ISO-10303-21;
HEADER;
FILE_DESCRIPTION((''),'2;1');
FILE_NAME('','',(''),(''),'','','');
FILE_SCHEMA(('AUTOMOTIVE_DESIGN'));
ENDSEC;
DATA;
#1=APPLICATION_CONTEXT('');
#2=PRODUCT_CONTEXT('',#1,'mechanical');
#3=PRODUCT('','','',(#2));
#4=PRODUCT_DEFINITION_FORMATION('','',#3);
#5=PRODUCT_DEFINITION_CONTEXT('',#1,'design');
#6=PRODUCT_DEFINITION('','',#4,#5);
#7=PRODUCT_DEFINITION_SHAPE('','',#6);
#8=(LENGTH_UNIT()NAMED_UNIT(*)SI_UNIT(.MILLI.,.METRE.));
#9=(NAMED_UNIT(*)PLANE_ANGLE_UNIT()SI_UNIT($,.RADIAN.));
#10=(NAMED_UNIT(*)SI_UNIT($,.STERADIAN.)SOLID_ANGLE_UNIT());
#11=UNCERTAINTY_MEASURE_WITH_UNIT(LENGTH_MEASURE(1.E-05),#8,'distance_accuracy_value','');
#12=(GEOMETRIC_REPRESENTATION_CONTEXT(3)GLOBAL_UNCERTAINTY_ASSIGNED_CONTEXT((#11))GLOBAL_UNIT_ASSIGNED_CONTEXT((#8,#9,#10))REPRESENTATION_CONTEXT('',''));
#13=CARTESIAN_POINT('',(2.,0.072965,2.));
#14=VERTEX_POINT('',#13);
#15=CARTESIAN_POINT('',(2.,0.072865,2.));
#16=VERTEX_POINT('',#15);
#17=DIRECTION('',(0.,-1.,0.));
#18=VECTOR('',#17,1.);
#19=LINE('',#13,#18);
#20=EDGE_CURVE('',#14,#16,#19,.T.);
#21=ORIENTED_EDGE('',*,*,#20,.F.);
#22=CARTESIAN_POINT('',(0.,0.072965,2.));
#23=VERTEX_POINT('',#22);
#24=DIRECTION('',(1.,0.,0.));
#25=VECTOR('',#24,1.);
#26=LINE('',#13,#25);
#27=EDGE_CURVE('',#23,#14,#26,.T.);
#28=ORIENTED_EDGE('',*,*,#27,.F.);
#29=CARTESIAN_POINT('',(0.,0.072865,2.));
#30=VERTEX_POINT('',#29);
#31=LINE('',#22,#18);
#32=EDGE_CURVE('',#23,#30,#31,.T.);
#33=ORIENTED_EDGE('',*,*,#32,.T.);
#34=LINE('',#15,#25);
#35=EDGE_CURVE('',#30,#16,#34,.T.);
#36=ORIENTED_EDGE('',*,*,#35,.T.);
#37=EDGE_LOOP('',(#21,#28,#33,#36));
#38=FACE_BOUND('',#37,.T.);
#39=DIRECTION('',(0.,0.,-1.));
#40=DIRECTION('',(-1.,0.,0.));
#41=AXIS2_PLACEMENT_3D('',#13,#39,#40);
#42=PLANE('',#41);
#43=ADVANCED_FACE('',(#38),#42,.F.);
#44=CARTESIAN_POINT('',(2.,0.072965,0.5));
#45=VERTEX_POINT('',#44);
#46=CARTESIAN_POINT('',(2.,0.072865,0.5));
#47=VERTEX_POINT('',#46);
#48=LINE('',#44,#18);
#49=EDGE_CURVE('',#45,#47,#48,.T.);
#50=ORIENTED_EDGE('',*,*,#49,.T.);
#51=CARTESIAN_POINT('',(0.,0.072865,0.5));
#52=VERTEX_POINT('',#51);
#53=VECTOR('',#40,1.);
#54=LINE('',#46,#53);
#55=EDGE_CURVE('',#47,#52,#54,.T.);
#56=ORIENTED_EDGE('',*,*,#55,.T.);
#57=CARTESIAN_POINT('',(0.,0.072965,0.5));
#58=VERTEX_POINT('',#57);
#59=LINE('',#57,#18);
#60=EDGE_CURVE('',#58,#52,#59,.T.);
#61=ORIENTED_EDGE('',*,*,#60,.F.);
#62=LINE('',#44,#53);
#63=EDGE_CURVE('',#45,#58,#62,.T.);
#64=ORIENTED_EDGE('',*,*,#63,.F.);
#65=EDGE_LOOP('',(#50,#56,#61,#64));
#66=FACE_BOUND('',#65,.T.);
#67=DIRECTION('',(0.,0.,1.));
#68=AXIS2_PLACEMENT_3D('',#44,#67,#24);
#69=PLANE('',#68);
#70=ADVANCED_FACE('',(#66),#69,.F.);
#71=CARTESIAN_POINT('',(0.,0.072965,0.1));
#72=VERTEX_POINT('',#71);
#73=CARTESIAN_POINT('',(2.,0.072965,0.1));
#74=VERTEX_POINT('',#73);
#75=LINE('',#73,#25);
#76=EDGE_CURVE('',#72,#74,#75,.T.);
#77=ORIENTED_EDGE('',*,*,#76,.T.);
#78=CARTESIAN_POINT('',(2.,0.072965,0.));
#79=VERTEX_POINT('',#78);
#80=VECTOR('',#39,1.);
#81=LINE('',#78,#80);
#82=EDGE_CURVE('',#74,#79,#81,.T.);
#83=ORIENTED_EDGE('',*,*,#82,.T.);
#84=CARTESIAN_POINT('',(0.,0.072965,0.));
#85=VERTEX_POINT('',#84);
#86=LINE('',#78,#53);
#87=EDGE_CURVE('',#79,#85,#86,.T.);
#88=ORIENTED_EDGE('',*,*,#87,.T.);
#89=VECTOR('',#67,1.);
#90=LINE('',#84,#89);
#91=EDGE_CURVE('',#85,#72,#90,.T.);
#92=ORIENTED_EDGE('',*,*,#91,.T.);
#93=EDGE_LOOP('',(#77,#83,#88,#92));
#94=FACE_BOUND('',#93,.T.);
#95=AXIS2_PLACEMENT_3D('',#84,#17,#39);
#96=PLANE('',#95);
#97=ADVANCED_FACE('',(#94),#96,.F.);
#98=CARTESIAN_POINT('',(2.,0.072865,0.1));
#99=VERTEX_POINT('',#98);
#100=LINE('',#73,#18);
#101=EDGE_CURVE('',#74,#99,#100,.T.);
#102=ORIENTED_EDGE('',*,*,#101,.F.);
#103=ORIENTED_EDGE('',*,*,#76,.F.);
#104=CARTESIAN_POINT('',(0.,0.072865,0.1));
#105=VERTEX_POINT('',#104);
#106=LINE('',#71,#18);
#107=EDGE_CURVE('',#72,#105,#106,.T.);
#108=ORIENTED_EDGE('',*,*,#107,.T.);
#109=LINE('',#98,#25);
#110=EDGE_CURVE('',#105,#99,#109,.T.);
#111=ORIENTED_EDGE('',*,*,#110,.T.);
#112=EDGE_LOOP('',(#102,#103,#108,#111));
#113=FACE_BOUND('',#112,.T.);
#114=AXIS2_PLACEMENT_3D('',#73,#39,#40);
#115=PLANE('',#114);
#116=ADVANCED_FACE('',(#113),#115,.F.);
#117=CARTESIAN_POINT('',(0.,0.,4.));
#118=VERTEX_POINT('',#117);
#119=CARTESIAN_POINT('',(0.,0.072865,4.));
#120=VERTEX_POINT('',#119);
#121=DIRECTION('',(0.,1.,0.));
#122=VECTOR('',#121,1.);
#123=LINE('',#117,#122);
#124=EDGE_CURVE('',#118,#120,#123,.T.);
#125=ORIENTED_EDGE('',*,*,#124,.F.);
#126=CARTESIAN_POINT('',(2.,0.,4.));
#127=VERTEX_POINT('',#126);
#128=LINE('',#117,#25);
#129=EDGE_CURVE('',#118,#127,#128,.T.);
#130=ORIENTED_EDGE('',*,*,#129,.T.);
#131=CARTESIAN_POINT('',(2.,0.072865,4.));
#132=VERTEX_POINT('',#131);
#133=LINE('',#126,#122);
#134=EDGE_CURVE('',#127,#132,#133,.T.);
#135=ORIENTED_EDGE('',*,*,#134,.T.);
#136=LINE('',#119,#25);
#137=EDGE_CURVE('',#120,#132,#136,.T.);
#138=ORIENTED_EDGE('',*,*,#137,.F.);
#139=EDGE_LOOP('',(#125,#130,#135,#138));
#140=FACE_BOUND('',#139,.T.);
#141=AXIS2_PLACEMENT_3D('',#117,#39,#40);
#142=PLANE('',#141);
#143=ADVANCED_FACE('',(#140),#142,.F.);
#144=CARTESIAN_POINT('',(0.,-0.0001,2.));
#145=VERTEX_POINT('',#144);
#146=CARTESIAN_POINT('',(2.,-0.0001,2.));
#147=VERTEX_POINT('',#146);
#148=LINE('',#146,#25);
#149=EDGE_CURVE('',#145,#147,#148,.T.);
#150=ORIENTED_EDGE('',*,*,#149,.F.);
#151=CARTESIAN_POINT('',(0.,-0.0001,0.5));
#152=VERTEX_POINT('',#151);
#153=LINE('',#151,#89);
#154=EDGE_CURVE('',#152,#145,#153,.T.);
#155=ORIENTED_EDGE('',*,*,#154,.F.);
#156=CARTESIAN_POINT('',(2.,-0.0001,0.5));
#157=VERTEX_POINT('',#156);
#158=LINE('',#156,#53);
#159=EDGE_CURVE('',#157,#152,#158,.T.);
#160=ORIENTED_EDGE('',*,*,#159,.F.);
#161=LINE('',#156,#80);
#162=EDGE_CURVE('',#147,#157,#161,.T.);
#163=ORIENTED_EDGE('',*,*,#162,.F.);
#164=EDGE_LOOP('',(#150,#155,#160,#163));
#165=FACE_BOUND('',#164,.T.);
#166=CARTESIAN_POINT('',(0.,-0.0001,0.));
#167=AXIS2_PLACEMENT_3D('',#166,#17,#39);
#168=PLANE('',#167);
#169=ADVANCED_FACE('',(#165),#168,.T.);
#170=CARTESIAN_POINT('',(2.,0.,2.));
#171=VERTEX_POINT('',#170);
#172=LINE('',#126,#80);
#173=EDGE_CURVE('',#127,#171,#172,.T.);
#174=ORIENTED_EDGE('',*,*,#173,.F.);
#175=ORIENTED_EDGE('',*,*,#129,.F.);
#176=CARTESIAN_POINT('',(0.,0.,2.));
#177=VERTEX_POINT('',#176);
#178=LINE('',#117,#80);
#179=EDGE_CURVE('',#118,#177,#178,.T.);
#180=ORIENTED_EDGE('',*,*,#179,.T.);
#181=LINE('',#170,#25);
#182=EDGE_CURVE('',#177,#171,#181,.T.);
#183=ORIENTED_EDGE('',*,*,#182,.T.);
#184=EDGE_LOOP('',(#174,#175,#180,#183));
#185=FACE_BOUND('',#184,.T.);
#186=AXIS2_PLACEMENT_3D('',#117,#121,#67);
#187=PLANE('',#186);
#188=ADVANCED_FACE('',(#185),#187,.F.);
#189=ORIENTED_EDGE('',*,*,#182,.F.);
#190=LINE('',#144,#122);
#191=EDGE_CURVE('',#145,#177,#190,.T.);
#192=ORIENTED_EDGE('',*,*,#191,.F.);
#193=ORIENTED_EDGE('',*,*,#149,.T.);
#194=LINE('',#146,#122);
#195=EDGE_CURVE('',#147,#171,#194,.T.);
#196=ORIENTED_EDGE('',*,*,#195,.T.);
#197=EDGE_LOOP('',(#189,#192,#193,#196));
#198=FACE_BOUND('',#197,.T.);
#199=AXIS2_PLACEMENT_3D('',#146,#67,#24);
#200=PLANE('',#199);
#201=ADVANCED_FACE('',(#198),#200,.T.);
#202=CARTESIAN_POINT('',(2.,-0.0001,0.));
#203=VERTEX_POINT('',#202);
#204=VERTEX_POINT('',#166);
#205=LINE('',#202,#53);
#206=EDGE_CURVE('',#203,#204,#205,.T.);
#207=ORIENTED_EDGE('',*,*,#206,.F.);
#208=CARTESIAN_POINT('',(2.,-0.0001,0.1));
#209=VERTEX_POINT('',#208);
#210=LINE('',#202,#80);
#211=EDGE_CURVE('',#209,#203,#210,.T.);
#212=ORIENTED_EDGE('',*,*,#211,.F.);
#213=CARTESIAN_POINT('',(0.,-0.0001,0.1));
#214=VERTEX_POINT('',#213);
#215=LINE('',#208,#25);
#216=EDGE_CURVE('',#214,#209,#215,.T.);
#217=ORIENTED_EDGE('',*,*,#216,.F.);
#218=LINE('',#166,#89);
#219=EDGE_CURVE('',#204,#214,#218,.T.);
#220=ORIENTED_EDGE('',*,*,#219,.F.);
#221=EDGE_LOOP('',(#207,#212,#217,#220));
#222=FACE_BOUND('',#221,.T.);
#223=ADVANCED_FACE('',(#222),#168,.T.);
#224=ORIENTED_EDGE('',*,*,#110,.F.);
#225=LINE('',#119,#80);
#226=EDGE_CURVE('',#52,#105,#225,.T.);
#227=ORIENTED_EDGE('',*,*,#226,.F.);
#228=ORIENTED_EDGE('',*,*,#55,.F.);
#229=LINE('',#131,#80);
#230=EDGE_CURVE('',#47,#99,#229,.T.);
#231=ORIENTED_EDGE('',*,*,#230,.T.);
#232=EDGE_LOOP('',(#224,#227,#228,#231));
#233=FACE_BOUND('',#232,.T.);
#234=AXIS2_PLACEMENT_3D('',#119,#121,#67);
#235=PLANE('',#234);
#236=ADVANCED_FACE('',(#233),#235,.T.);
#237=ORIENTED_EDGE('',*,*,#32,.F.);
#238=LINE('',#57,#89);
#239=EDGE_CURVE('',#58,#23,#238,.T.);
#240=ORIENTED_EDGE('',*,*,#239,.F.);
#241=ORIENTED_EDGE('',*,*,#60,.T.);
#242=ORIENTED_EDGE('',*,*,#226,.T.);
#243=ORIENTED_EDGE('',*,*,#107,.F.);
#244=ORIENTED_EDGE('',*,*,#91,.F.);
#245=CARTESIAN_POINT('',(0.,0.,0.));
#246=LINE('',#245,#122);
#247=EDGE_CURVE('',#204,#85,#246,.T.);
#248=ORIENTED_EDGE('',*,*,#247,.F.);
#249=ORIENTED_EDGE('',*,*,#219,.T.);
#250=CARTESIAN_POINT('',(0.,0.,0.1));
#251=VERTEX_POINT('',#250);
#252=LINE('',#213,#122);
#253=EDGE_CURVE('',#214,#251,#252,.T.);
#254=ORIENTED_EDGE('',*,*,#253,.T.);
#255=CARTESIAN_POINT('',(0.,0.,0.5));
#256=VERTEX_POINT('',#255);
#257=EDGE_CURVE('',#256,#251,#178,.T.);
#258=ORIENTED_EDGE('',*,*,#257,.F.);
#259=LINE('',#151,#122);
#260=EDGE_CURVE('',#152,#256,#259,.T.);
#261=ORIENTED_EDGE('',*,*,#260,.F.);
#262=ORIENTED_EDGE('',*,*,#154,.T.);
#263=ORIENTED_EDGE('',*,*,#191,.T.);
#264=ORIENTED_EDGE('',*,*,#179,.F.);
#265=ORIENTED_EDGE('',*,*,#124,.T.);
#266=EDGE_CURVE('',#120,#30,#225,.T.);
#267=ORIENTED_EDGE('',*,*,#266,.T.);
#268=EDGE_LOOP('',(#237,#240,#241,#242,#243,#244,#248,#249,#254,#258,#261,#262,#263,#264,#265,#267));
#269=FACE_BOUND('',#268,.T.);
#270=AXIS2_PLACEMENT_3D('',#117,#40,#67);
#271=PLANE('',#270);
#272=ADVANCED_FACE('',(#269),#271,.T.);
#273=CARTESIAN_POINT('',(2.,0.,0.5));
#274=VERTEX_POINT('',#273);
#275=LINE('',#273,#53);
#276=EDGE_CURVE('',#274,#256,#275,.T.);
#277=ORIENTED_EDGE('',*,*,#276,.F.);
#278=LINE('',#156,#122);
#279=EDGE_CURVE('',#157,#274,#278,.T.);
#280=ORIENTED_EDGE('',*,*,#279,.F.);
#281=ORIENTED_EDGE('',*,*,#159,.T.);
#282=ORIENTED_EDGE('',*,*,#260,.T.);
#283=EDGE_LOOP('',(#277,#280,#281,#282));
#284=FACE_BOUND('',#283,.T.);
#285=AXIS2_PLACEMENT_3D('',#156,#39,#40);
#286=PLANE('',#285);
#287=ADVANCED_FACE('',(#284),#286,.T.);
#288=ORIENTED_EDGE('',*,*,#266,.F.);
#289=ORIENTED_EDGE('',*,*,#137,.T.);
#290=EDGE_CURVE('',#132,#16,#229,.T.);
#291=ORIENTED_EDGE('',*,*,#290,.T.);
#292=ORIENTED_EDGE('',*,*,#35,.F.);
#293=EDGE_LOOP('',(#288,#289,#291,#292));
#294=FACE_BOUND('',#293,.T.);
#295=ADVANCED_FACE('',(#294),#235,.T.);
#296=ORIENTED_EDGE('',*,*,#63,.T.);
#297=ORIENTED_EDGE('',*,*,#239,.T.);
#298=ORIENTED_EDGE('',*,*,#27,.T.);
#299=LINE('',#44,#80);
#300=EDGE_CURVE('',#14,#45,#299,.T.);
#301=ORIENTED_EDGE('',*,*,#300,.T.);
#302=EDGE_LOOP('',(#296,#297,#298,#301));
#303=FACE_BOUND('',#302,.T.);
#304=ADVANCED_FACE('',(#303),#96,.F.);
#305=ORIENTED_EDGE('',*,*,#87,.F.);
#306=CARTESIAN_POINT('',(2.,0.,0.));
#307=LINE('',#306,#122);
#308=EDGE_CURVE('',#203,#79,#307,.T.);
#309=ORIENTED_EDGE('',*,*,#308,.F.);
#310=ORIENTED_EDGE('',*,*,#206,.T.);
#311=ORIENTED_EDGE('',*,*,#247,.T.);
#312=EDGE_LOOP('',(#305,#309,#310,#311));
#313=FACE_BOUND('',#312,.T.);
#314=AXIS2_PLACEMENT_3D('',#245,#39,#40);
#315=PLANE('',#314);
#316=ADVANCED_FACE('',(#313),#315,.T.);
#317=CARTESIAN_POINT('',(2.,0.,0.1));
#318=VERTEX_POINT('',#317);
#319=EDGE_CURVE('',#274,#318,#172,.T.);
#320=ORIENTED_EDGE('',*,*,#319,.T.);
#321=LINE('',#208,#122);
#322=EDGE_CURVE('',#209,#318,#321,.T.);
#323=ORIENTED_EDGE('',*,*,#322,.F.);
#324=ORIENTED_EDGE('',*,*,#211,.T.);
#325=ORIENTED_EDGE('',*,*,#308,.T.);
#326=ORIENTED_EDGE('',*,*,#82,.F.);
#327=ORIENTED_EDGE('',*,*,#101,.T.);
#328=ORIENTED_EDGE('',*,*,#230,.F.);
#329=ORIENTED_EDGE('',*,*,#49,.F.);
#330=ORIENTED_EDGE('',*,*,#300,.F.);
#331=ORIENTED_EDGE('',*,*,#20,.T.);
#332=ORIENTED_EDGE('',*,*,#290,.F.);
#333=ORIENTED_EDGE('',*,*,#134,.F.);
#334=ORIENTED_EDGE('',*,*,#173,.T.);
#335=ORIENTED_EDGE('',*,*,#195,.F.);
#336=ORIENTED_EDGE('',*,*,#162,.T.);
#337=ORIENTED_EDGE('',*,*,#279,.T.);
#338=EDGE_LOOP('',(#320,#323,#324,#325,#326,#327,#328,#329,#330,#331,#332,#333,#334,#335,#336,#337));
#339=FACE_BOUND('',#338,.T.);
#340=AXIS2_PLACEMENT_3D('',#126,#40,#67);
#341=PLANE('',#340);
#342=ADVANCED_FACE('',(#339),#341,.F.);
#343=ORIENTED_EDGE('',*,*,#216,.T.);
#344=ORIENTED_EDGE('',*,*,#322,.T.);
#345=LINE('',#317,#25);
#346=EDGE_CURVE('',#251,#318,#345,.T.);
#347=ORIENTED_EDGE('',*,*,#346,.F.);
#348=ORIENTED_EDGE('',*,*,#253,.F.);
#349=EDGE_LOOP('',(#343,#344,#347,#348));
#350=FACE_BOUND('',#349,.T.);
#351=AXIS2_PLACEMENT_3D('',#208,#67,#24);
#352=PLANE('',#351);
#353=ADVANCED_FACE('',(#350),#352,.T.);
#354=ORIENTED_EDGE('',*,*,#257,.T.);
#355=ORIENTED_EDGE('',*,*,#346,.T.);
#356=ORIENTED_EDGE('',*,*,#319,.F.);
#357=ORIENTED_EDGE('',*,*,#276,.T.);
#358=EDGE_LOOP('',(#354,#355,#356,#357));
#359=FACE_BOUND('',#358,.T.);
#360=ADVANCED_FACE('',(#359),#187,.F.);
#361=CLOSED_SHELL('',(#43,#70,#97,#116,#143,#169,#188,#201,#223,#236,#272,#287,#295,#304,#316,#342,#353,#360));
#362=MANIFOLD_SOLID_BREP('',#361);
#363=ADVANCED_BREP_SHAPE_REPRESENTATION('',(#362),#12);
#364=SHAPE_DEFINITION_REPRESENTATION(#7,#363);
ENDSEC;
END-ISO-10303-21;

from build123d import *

# Parameters (mm, degrees)
SKETCH1_W           = 2
SKETCH1_H           = 0.072865
BOSS_EXTRUDE1_DEPTH = 4
SKETCH7_W           = 2
SKETCH7_H           = 0.1
SKETCH7_H_2         = 1.5
BOSS_EXTRUDE6_DEPTH = 0.0001
BOSS_EXTRUDE7_START = -0.072865
SKETCH7_2_W         = 2
SKETCH7_2_H         = 0.1
SKETCH7_2_H_2       = 1.5
BOSS_EXTRUDE7_DEPTH = 0.0001


with BuildPart() as part:
    # Sketch1 → Boss-Extrude1 (new body)
    with BuildSketch(Plane.XY):
        with Locations((1, 0.0364325)):
            Rectangle(SKETCH1_W, SKETCH1_H)
    extrude(amount=BOSS_EXTRUDE1_DEPTH)

    # Sketch7 → Boss-Extrude6 (add)
    with BuildSketch(Plane(origin=(0, 0.072865, 0), x_dir=(1, 0, 0), z_dir=(0, 1, 0))):
        with Locations((1, -0.05)):
            Rectangle(SKETCH7_W, SKETCH7_H)
        with Locations((1, -1.25)):
            Rectangle(SKETCH7_W, SKETCH7_H_2)
    extrude(amount=BOSS_EXTRUDE6_DEPTH)

    # Sketch7<2> → Boss-Extrude7 (add)
    with BuildSketch(Plane(origin=(0, 0.072865, 0), x_dir=(1, 0, 0), z_dir=(0, 1, 0)).offset(BOSS_EXTRUDE7_START)):
        with Locations((1, -0.05)):
            Rectangle(SKETCH7_2_W, SKETCH7_2_H)
        with Locations((1, -1.25)):
            Rectangle(SKETCH7_2_W, SKETCH7_2_H_2)
    extrude(amount=-BOSS_EXTRUDE7_DEPTH)


solid = part.part
